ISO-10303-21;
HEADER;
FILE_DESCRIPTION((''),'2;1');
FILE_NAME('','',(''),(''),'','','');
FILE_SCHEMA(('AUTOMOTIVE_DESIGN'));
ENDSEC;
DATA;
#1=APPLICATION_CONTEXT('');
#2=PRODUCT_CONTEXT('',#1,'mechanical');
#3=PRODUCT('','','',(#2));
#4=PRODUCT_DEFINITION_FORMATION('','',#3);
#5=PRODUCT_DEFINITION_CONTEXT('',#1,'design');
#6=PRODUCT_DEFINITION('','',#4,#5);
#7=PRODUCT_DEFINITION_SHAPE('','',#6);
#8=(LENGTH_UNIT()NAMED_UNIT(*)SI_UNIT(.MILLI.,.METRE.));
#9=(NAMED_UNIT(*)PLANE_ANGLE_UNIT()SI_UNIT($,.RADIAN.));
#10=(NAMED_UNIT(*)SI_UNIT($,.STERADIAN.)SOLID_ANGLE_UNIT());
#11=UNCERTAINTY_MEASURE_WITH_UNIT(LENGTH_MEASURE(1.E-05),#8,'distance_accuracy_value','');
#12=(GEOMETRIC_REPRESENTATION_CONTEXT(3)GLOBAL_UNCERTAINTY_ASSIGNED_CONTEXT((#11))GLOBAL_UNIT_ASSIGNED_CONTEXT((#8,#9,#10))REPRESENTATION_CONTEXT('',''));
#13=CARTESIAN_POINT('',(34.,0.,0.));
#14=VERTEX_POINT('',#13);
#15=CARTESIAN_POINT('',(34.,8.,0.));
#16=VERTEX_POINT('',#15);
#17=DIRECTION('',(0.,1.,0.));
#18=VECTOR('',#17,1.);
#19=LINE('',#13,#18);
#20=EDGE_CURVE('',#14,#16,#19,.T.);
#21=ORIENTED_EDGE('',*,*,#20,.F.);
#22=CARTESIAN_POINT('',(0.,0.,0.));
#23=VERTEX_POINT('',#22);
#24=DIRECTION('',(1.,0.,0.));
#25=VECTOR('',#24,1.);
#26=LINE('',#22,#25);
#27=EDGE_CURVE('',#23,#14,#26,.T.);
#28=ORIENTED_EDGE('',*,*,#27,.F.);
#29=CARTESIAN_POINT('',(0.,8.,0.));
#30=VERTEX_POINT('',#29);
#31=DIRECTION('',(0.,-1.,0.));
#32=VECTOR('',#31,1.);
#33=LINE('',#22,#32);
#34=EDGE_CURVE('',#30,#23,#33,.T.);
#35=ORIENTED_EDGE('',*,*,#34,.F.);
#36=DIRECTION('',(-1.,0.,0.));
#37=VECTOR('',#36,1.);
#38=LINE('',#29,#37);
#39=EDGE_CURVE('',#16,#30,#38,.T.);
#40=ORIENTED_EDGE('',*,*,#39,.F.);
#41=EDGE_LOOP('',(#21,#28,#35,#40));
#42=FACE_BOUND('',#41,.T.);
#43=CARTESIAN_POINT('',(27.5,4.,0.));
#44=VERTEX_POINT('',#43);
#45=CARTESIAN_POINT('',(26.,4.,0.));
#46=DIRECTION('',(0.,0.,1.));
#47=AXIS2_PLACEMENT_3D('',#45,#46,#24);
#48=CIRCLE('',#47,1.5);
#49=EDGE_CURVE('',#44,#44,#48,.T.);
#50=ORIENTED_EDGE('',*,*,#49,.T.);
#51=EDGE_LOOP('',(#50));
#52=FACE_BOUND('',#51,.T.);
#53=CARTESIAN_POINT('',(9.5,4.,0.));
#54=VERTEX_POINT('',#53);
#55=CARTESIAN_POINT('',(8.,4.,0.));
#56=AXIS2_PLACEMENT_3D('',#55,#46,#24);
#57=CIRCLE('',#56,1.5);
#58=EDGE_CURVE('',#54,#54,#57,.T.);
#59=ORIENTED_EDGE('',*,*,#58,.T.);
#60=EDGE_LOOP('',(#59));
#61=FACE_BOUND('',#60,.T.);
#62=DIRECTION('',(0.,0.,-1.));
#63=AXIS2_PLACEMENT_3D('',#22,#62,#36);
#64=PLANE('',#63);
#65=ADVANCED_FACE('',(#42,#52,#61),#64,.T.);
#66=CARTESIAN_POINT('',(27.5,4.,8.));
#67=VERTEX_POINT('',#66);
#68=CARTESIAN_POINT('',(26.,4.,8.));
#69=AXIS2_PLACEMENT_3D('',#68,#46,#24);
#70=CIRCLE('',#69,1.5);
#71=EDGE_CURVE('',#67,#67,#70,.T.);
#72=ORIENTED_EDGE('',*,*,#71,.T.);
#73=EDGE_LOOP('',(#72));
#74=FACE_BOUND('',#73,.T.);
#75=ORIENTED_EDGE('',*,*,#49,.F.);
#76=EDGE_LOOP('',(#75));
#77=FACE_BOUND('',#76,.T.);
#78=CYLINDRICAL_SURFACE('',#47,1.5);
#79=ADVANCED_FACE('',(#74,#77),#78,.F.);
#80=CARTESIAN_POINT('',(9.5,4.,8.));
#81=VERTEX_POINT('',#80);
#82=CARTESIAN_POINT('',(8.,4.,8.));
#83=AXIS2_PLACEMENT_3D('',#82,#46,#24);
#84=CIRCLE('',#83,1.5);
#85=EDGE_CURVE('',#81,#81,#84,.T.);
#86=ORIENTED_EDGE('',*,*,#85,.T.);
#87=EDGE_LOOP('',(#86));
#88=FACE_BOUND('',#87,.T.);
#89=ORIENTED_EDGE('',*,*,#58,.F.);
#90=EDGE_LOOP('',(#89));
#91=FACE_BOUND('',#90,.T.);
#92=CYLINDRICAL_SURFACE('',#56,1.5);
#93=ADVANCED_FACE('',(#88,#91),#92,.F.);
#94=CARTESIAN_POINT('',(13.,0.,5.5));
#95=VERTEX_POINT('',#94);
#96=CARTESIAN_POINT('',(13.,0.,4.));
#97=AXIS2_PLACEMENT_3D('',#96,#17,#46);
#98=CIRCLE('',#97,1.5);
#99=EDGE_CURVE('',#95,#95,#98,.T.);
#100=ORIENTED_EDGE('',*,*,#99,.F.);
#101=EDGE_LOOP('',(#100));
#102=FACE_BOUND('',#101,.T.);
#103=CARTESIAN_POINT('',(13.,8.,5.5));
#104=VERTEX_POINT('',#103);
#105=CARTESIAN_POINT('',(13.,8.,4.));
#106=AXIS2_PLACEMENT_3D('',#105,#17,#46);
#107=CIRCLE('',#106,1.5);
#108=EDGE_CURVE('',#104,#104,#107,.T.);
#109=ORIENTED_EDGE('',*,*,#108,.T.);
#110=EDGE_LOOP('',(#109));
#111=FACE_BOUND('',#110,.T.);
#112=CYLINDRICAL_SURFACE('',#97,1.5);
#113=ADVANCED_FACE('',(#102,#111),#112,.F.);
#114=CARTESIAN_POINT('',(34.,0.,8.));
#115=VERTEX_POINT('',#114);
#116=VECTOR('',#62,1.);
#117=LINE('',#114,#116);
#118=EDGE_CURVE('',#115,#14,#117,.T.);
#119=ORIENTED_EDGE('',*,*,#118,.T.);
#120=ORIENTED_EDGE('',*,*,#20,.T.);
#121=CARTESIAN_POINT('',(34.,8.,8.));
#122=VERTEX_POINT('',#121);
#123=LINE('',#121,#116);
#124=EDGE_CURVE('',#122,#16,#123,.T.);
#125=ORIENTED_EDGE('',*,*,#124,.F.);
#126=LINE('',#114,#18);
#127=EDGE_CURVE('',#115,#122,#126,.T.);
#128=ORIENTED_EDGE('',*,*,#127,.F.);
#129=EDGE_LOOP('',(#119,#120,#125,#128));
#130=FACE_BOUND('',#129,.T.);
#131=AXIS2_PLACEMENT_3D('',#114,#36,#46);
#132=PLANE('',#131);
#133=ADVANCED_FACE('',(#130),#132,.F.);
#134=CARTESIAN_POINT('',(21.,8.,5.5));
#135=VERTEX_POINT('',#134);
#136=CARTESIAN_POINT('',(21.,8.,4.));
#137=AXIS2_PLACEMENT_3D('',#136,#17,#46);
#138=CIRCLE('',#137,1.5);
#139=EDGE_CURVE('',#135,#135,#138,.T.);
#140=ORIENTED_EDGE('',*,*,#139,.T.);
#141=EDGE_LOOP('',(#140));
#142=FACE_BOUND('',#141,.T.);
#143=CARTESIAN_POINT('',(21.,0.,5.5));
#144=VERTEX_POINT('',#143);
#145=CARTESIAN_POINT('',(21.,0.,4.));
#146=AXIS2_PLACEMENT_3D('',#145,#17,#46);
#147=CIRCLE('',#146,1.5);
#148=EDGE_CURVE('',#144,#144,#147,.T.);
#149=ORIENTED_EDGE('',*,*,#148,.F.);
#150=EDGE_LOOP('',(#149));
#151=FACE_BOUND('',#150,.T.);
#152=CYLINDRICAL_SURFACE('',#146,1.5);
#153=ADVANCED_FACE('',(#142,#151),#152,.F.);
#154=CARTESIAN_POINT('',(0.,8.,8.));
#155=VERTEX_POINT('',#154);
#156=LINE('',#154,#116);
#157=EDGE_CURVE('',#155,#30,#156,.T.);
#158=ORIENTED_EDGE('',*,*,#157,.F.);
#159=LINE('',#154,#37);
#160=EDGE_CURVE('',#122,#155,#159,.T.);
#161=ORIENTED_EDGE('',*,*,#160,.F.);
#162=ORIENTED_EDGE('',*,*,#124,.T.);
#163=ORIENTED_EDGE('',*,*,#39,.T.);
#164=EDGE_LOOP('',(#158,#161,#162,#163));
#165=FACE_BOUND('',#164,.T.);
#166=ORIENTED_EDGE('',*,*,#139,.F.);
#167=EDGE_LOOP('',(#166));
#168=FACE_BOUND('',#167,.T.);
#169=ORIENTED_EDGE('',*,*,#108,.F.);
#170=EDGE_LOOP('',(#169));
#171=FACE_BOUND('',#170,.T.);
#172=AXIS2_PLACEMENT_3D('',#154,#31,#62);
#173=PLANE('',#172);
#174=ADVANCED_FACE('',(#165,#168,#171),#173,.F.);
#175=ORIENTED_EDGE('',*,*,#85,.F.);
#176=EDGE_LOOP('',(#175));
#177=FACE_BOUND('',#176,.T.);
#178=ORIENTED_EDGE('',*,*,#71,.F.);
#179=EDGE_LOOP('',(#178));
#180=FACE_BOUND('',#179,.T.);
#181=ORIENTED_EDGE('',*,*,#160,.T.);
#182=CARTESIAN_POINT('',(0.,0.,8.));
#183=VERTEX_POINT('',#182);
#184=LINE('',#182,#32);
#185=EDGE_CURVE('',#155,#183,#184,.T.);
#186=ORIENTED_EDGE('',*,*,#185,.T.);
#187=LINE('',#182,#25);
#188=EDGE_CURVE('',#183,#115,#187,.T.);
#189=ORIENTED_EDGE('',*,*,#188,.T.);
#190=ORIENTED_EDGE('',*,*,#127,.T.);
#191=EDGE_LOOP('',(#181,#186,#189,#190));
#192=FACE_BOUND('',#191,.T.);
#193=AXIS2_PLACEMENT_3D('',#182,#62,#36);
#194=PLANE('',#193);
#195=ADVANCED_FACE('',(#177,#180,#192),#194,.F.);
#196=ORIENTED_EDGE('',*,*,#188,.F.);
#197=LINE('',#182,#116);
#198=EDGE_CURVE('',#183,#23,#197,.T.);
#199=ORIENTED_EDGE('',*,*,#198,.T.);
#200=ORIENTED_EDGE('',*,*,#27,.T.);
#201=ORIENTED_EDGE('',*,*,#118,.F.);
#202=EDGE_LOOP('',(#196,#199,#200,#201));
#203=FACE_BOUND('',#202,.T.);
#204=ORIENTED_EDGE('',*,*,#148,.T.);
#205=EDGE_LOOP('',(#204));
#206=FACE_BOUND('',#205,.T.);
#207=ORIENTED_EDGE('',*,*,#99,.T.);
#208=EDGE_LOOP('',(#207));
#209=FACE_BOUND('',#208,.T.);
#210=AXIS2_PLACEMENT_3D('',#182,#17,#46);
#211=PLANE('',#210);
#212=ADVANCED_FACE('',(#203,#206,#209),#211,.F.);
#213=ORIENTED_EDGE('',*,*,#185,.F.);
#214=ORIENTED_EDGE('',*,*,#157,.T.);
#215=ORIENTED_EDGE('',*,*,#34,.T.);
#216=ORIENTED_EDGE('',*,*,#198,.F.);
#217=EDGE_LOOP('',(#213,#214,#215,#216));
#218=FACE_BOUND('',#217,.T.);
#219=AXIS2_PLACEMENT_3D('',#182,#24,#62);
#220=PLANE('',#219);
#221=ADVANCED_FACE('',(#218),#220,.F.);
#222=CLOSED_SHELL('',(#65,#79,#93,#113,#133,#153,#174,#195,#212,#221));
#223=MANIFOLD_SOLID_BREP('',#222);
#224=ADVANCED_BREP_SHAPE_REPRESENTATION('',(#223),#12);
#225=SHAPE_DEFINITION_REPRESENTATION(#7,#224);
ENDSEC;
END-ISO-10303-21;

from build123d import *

# Parameters (mm, degrees)
SKETCH_1_W          = 34
SKETCH_1_H          = 8
EXTRUDE_1_DEPTH     = 8
SKETCH_2_R          = 1.5
CUT_EXTRUDE_1_DEPTH = 36.832945734
SKETCH_3_R          = 1.5
CUT_EXTRUDE_2_DEPTH = 36.832945734


with BuildPart() as part:
    # 草图1 → 凸台-拉伸1 (new body)
    with BuildSketch(Plane.XY):
        with Locations((17, 4)):
            Rectangle(SKETCH_1_W, SKETCH_1_H)
    extrude(amount=EXTRUDE_1_DEPTH)

    # 草图2 → 切除-拉伸1 (cut, through all)
    with BuildSketch(Plane.XY.offset(8)):
        with Locations((8, 4)):
            Circle(SKETCH_2_R)
        with Locations((26, 4)):
            Circle(SKETCH_2_R)
    extrude(amount=-CUT_EXTRUDE_1_DEPTH, mode=Mode.SUBTRACT)

    # 草图3 → 切除-拉伸2 (cut, through all)
    with BuildSketch(Plane(origin=(0, 8, 0), x_dir=(1, 0, 0), z_dir=(0, 1, 0))):
        with Locations(Location((13, -4, 0), (0, 0, 270))):
            Circle(SKETCH_3_R)
        with Locations(Location((21, -4, 0), (0, 0, 270))):
            Circle(SKETCH_3_R)
    extrude(amount=-CUT_EXTRUDE_2_DEPTH, mode=Mode.SUBTRACT)


solid = part.part
